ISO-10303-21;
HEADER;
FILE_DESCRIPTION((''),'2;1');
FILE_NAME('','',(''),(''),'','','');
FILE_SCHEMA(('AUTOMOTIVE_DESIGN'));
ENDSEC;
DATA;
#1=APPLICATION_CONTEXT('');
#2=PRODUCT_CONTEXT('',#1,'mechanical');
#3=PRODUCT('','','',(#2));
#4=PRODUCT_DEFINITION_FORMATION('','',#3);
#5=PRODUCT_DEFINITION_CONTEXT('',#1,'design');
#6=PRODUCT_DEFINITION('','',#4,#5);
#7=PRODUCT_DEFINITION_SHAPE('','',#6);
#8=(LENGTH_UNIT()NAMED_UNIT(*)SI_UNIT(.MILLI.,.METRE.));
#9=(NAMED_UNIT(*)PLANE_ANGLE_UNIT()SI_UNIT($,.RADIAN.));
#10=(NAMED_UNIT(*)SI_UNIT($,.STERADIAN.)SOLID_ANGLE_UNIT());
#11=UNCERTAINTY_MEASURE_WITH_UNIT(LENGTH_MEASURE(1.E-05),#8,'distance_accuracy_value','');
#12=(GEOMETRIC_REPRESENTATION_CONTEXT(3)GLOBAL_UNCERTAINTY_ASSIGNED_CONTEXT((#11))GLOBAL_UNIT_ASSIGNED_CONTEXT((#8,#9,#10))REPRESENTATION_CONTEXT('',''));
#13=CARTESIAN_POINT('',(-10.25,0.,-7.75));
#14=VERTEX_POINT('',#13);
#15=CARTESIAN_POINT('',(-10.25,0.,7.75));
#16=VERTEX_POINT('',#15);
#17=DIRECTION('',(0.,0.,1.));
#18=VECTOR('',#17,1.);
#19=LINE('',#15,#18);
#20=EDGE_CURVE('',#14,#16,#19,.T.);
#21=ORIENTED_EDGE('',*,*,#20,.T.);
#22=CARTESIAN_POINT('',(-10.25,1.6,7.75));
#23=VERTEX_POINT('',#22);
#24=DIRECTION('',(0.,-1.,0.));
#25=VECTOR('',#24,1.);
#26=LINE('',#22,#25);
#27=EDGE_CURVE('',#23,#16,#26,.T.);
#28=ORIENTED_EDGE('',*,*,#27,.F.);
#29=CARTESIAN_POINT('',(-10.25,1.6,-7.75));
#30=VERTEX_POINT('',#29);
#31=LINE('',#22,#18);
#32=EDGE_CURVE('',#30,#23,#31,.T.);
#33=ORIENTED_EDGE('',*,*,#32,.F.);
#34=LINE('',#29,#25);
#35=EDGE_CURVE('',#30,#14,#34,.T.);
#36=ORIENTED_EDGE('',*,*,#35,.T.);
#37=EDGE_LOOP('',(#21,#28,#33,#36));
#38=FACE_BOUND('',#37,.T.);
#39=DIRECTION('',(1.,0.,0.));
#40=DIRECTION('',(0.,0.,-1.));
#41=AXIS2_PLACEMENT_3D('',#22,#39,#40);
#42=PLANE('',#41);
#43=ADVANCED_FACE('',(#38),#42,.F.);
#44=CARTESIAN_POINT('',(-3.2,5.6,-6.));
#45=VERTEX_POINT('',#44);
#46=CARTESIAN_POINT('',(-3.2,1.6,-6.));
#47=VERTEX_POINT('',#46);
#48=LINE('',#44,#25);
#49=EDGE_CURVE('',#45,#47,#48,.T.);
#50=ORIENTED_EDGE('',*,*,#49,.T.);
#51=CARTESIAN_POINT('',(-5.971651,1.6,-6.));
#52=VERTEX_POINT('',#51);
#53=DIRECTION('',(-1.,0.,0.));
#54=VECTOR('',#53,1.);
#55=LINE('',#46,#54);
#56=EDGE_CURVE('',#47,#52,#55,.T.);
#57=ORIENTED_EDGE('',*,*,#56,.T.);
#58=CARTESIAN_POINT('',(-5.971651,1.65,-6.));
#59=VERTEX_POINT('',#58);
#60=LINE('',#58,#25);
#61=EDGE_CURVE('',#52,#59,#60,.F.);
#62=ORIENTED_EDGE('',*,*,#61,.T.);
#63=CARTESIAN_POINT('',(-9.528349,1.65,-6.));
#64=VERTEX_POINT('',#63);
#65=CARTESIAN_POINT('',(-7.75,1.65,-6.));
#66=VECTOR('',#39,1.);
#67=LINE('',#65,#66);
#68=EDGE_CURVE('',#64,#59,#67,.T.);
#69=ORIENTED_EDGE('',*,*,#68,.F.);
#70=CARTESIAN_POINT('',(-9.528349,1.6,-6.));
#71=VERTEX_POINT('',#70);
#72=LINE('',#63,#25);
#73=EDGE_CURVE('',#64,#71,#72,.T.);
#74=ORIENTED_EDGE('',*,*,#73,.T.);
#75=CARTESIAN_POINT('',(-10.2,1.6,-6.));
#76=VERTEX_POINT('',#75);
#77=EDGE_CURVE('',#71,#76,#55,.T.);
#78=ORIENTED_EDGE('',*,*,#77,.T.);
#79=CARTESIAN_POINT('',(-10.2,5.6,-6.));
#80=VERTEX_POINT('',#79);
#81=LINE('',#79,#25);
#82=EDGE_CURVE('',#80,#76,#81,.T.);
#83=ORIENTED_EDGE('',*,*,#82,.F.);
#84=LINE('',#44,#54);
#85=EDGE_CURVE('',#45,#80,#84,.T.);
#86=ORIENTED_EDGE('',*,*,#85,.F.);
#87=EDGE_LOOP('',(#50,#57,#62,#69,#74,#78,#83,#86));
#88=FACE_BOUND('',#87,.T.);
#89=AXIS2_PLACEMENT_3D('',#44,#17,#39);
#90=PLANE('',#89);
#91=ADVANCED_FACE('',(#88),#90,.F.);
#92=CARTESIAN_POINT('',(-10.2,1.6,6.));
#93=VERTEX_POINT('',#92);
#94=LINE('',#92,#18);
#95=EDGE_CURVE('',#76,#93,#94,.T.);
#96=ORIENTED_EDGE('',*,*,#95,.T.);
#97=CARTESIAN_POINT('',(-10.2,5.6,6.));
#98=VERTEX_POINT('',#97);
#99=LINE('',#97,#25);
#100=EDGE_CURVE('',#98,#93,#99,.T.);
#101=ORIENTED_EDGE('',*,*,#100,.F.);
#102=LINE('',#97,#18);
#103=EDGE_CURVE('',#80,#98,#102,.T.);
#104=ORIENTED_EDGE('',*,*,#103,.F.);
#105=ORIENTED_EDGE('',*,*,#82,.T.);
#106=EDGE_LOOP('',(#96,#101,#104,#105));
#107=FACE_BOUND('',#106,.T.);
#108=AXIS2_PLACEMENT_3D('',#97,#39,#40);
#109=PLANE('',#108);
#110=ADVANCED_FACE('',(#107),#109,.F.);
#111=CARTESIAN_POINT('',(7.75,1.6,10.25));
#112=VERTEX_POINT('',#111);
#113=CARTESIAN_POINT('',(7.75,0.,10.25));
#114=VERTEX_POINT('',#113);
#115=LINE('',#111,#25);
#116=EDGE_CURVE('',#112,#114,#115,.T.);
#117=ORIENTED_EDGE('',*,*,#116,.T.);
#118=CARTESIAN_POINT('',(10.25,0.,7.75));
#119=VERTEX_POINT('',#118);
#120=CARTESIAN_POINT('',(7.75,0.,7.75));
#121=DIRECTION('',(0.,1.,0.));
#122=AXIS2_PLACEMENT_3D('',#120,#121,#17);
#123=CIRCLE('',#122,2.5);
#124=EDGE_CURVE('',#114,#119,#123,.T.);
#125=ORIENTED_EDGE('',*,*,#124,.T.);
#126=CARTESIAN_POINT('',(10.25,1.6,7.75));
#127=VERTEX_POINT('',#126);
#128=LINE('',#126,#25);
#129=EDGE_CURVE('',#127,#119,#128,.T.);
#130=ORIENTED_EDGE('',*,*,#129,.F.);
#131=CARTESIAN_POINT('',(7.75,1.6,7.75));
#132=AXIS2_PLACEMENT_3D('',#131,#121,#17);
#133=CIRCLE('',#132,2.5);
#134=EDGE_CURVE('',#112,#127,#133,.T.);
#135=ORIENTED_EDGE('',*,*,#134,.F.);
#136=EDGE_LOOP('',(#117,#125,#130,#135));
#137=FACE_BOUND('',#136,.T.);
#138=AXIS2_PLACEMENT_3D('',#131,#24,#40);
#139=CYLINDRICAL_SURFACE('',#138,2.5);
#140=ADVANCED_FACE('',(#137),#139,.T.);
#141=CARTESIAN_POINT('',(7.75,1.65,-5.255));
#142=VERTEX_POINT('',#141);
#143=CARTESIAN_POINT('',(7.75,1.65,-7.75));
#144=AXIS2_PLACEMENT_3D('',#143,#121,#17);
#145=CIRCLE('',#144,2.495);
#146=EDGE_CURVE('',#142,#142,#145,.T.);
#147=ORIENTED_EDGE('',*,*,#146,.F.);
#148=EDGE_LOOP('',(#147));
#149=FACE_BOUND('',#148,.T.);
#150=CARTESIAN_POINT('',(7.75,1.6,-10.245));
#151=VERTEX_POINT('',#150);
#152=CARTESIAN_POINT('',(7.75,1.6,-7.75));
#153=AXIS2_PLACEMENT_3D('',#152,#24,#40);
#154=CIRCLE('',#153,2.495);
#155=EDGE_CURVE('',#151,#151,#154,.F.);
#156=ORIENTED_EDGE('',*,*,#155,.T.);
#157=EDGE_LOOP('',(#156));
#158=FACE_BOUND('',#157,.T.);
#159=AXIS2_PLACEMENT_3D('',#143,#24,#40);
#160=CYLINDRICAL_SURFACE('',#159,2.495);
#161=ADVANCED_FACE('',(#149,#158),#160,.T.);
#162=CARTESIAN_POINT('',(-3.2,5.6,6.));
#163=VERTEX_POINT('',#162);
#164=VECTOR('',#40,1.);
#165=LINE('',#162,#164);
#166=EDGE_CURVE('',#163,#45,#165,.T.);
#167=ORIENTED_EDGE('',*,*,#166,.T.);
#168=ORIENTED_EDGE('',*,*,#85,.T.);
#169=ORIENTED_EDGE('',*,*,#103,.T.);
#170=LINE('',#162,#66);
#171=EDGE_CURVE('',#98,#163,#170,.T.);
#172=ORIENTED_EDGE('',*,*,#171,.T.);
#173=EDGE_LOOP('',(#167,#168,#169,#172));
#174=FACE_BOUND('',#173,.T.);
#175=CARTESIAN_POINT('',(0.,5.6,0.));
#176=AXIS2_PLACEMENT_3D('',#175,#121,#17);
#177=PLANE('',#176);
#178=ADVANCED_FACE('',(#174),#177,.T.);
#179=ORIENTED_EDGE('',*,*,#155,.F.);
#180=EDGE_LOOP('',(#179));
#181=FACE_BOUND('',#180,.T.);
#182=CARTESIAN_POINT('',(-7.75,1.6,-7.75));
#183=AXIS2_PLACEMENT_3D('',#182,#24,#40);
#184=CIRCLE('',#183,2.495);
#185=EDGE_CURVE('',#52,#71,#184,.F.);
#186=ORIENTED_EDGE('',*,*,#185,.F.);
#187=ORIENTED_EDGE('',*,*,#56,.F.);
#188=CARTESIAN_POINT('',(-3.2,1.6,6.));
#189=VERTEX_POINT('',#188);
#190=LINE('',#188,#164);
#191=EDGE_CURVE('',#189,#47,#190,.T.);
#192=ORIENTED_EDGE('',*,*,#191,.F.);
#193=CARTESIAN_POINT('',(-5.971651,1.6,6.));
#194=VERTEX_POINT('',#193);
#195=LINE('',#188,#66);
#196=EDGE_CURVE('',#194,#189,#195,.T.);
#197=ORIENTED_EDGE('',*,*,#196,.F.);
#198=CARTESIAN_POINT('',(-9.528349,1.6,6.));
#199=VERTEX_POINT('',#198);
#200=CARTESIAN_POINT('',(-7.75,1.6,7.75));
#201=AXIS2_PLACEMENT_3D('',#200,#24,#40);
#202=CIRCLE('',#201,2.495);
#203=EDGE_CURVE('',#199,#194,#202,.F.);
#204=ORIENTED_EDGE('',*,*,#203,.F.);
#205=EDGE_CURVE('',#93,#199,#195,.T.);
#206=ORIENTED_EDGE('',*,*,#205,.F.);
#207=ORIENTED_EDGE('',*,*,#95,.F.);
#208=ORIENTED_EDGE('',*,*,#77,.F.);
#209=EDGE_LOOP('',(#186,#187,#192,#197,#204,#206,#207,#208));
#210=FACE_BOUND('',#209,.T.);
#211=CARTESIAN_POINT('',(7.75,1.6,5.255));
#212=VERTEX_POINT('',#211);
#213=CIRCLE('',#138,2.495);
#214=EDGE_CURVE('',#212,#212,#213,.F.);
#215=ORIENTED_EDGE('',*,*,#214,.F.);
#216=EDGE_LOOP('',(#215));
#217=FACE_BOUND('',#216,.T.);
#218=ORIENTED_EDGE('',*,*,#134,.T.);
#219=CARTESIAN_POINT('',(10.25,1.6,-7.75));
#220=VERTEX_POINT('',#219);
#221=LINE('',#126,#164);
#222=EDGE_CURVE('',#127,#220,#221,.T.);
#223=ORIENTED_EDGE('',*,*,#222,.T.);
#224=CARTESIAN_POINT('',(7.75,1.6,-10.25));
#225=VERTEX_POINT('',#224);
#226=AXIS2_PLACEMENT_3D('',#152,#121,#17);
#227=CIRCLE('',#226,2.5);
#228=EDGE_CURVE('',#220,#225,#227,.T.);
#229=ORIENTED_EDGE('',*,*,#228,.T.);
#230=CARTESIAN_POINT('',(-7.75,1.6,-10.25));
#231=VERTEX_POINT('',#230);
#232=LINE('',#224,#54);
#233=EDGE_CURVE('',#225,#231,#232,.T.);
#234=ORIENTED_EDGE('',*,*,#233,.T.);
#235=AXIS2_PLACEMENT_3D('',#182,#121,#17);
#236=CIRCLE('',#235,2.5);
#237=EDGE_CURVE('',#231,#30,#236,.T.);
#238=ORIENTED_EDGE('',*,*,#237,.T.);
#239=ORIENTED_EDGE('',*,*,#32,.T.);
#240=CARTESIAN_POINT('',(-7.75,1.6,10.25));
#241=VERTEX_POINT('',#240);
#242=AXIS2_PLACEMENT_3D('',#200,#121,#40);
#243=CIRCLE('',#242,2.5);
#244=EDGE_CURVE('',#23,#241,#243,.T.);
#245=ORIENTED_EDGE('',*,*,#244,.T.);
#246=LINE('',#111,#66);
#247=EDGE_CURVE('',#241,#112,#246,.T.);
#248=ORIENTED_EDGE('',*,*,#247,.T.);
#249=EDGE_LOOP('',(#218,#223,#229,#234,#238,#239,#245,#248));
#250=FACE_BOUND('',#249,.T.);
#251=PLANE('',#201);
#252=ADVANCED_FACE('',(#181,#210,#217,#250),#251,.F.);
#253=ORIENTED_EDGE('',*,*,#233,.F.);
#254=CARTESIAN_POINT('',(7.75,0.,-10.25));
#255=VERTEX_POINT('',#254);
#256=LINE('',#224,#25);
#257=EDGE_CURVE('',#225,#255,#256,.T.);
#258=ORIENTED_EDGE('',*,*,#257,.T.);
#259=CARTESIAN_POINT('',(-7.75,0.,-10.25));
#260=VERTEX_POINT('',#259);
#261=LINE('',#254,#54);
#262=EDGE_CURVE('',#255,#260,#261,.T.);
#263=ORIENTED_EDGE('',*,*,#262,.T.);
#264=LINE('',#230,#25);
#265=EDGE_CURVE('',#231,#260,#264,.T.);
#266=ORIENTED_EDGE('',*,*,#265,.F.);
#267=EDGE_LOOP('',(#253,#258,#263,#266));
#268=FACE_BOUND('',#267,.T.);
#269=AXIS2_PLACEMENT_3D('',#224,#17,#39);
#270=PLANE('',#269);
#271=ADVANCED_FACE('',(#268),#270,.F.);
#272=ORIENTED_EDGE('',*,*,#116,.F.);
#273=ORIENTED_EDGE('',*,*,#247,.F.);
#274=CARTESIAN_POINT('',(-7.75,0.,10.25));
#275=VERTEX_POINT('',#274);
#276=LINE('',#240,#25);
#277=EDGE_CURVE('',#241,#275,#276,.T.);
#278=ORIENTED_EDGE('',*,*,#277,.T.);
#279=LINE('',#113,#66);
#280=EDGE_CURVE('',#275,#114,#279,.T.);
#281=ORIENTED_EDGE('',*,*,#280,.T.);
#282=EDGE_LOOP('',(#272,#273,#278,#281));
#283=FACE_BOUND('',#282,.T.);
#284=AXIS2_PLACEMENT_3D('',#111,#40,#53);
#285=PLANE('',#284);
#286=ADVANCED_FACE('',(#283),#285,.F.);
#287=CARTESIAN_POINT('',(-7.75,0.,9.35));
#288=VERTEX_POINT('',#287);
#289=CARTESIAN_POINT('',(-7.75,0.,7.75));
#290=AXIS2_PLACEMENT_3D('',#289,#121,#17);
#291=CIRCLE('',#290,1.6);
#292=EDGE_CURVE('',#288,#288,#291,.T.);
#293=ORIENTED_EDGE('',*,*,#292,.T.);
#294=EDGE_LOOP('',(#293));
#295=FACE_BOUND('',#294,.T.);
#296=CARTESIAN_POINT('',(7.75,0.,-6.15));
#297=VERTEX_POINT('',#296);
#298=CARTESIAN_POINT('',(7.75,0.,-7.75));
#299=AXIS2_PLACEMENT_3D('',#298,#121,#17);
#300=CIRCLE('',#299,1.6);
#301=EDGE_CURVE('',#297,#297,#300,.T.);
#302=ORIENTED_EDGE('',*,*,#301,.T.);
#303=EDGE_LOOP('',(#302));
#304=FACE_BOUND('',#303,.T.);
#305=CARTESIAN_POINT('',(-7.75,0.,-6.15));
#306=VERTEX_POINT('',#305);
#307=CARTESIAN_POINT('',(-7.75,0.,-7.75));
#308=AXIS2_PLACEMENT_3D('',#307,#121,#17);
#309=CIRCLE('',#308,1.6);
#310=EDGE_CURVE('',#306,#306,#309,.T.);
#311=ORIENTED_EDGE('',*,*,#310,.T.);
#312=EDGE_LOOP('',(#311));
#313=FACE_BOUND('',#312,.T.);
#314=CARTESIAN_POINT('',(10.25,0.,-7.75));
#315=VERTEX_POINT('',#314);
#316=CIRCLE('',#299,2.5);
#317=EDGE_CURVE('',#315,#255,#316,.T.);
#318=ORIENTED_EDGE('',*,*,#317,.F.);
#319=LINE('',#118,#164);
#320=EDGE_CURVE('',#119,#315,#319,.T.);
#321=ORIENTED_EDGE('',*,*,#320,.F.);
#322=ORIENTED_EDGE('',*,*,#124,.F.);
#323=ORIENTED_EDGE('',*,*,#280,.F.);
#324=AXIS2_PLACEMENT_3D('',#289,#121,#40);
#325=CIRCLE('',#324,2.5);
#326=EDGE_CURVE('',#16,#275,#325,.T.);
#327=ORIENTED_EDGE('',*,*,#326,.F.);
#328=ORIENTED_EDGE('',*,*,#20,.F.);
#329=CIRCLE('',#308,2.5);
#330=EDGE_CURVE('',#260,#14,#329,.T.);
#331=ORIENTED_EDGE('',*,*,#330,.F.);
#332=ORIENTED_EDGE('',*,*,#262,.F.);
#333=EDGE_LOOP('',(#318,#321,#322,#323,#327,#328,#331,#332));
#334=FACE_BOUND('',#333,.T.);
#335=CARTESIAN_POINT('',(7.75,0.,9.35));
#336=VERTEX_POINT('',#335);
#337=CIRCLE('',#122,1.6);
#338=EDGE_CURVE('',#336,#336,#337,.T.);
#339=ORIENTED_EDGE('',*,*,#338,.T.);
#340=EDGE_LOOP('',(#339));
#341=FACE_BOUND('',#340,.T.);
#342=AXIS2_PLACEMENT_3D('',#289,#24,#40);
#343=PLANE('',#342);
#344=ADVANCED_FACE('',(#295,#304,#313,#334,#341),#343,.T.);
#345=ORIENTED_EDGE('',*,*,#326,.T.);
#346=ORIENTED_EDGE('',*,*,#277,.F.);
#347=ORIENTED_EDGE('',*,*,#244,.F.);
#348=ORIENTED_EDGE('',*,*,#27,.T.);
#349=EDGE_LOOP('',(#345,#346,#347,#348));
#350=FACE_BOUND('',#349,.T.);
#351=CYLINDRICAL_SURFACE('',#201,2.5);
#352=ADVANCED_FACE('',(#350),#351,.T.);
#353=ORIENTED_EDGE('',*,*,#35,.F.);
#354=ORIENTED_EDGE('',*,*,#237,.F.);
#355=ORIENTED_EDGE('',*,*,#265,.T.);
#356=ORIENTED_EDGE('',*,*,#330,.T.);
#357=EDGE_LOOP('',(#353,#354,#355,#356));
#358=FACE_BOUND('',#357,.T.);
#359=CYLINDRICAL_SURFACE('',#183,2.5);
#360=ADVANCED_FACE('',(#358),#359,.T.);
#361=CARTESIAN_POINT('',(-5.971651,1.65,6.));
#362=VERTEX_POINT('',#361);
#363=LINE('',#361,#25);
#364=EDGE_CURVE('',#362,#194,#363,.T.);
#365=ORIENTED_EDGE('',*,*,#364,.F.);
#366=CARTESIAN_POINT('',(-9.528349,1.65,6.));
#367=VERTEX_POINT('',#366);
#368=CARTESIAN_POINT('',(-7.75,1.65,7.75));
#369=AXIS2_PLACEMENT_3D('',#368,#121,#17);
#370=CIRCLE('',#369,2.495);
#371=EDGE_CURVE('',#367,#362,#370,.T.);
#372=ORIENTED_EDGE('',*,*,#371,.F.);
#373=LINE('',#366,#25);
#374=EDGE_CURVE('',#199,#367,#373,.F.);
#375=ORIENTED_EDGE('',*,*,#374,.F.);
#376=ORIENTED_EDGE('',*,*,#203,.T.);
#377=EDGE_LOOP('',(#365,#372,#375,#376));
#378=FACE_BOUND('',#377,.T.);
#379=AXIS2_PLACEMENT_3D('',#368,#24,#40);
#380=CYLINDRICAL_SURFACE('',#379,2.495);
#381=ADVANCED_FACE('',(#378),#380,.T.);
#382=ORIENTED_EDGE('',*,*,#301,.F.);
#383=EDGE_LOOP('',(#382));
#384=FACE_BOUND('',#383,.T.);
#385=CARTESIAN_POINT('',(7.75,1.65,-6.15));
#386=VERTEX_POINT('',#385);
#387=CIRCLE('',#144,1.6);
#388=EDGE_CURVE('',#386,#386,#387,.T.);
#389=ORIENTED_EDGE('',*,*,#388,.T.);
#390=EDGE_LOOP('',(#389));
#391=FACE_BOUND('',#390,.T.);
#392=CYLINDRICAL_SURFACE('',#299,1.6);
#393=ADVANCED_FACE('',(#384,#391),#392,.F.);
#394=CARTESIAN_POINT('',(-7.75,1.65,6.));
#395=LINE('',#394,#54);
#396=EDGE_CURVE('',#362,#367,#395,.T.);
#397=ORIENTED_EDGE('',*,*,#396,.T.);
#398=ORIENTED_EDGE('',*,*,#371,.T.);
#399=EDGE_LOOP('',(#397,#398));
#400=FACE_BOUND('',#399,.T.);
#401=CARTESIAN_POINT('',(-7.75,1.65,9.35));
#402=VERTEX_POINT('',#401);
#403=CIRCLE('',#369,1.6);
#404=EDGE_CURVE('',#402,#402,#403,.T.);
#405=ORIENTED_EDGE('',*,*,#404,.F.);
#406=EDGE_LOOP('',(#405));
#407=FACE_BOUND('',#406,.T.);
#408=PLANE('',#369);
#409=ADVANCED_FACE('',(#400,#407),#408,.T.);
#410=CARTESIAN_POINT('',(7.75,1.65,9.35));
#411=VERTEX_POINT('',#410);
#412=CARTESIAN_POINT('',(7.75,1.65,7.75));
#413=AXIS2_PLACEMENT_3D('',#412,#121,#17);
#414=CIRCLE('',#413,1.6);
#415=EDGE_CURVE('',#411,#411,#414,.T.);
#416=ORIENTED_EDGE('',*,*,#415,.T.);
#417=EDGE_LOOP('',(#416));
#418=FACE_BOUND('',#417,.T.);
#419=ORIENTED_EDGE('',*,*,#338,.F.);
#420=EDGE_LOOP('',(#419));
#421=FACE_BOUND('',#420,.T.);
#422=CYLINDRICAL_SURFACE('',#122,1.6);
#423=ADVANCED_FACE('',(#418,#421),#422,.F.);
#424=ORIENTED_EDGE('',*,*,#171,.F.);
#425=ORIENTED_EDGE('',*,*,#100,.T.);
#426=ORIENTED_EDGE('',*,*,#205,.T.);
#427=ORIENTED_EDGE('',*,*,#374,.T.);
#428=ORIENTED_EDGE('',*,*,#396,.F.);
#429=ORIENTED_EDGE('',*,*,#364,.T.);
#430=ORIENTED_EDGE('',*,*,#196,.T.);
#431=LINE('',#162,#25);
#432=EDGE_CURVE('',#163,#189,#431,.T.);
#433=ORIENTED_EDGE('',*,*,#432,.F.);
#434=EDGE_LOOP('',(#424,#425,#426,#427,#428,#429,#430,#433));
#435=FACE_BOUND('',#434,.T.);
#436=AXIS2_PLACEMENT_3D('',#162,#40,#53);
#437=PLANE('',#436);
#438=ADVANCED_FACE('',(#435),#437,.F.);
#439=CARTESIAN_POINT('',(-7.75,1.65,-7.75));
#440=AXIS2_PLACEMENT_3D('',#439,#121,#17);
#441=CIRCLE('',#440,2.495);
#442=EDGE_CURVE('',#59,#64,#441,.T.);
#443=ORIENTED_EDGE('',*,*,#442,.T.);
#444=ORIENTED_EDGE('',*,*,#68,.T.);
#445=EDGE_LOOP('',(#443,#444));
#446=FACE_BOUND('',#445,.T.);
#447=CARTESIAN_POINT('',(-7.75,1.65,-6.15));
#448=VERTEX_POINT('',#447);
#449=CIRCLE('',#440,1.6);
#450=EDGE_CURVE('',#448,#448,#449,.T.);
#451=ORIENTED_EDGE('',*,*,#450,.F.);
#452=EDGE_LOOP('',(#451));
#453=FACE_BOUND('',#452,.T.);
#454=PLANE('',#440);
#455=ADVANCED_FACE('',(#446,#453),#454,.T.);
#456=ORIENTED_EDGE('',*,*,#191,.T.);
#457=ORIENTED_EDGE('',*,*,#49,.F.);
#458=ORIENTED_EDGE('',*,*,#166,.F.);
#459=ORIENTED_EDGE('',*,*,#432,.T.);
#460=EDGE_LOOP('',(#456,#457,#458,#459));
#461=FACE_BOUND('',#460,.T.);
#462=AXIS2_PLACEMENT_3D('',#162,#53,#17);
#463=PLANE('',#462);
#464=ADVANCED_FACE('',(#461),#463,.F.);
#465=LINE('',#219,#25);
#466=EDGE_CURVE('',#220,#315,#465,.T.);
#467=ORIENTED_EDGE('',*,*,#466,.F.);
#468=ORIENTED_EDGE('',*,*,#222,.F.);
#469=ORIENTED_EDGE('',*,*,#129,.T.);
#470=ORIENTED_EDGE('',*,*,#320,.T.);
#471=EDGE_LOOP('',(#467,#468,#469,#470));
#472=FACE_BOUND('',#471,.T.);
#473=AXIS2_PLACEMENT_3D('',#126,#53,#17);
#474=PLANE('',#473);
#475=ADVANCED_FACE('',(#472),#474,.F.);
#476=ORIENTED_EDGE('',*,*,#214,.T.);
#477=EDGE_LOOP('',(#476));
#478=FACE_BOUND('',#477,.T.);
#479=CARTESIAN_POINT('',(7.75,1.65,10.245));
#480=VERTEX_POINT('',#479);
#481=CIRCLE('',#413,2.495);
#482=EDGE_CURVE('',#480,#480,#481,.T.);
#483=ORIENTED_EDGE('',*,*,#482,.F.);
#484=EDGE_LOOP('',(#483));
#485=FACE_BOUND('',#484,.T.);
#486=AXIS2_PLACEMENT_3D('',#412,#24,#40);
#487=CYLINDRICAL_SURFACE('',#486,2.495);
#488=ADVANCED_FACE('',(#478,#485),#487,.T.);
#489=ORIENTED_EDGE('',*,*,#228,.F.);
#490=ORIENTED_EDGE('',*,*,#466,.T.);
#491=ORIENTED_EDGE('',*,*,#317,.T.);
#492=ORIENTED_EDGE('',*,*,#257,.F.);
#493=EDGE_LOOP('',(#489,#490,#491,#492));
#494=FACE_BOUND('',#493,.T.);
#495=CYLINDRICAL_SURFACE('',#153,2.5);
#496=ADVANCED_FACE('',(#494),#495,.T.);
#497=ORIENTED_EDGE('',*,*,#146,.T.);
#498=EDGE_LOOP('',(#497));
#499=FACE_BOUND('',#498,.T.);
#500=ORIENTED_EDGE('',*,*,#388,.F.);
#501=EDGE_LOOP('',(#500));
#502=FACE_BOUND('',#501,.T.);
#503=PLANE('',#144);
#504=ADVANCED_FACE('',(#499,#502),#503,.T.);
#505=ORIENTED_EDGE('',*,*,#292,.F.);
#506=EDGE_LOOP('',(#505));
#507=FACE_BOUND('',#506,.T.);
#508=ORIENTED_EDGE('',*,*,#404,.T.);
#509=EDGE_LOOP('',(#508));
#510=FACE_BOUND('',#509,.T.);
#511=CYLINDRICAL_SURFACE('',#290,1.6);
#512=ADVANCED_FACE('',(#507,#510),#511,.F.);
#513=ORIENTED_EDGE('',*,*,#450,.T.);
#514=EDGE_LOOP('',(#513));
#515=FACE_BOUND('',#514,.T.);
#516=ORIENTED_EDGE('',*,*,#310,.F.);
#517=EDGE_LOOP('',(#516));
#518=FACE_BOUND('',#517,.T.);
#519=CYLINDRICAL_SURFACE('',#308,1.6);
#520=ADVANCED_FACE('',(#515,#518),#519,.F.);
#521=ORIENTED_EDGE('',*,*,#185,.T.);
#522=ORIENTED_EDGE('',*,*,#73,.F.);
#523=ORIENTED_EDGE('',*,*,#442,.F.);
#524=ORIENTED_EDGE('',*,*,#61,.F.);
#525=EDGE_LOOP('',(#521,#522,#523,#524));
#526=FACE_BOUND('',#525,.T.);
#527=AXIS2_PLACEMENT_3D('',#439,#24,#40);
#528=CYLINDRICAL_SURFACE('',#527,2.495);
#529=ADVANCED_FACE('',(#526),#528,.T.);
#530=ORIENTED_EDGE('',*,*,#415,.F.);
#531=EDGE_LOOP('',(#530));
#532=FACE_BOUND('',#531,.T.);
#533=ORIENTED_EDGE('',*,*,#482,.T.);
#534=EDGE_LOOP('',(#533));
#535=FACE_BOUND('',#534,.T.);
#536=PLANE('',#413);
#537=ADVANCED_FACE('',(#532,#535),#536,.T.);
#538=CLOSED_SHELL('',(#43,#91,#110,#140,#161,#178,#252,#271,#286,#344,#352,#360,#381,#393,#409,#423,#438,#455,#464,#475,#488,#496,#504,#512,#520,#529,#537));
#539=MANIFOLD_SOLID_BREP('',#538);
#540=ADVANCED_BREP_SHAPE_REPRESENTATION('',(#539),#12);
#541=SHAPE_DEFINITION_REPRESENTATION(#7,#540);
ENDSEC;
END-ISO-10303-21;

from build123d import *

# Parameters (mm, degrees)
BOSS_EXTRUDE1_DEPTH = 1.6
SKETCH2_R           = 2.495
BOSS_EXTRUDE2_DEPTH = 0.05
SKETCH3_R           = 1.6
CUT_EXTRUDE1_DEPTH  = 15.58929402
SKETCH4_W           = 7
SKETCH4_H           = 12
BOSS_EXTRUDE3_DEPTH = 4


with BuildPart() as part:
    # Sketch1 → Boss-Extrude1 (new body)
    with BuildSketch(Plane(origin=(0, 0, 0), x_dir=(1, 0, 0), z_dir=(0, 1, 0))):
        with BuildLine():
            Line((7.75, -10.25), (-7.75, -10.25))
            ThreePointArc((-7.75, -10.25), (-9.517766953, -9.517766953), (-10.25, -7.75))
            Line((-10.25, -7.75), (-10.25, 7.75))
            ThreePointArc((-10.25, 7.75), (-9.517766953, 9.517766953), (-7.75, 10.25))
            Line((-7.75, 10.25), (7.75, 10.25))
            ThreePointArc((7.75, 10.25), (9.517766953, 9.517766953), (10.25, 7.75))
            Line((10.25, 7.75), (10.25, -7.75))
            ThreePointArc((10.25, -7.75), (9.517766953, -9.517766953), (7.75, -10.25))
        make_face()
    extrude(amount=BOSS_EXTRUDE1_DEPTH)

    # Sketch2 → Boss-Extrude2 (add)
    with BuildSketch(Plane(origin=(0, 1.6, 0), x_dir=(1, 0, 0), z_dir=(0, 1, 0))):
        with Locations(Location((-7.75, 7.75, 0), (0, 0, 90))):
            Circle(SKETCH2_R)
        with Locations(Location((7.75, 7.75, 0), (0, 0, 90))):
            Circle(SKETCH2_R)
        with Locations(Location((7.75, -7.75, 0), (0, 0, 90))):
            Circle(SKETCH2_R)
        with Locations(Location((-7.75, -7.75, 0), (0, 0, 90))):
            Circle(SKETCH2_R)
    extrude(amount=BOSS_EXTRUDE2_DEPTH)

    # Sketch3 → Cut-Extrude1 (cut, through all)
    with BuildSketch(Plane(origin=(0, 1.65, 0), x_dir=(1, 0, 0), z_dir=(0, 1, 0))):
        with Locations(Location((-7.75, 7.75, 0), (0, 0, 270))):
            Circle(SKETCH3_R)
        with Locations(Location((7.75, 7.75, 0), (0, 0, 270))):
            Circle(SKETCH3_R)
        with Locations(Location((7.75, -7.75, 0), (0, 0, 270))):
            Circle(SKETCH3_R)
        with Locations(Location((-7.75, -7.75, 0), (0, 0, 270))):
            Circle(SKETCH3_R)
    extrude(amount=-CUT_EXTRUDE1_DEPTH, mode=Mode.SUBTRACT)

    # Sketch4 → Boss-Extrude3 (add)
    with BuildSketch(Plane(origin=(0, 1.6, 0), x_dir=(1, 0, 0), z_dir=(0, 1, 0))):
        with Locations((-6.7, 0)):
            Rectangle(SKETCH4_W, SKETCH4_H)
    extrude(amount=BOSS_EXTRUDE3_DEPTH)


solid = part.part
